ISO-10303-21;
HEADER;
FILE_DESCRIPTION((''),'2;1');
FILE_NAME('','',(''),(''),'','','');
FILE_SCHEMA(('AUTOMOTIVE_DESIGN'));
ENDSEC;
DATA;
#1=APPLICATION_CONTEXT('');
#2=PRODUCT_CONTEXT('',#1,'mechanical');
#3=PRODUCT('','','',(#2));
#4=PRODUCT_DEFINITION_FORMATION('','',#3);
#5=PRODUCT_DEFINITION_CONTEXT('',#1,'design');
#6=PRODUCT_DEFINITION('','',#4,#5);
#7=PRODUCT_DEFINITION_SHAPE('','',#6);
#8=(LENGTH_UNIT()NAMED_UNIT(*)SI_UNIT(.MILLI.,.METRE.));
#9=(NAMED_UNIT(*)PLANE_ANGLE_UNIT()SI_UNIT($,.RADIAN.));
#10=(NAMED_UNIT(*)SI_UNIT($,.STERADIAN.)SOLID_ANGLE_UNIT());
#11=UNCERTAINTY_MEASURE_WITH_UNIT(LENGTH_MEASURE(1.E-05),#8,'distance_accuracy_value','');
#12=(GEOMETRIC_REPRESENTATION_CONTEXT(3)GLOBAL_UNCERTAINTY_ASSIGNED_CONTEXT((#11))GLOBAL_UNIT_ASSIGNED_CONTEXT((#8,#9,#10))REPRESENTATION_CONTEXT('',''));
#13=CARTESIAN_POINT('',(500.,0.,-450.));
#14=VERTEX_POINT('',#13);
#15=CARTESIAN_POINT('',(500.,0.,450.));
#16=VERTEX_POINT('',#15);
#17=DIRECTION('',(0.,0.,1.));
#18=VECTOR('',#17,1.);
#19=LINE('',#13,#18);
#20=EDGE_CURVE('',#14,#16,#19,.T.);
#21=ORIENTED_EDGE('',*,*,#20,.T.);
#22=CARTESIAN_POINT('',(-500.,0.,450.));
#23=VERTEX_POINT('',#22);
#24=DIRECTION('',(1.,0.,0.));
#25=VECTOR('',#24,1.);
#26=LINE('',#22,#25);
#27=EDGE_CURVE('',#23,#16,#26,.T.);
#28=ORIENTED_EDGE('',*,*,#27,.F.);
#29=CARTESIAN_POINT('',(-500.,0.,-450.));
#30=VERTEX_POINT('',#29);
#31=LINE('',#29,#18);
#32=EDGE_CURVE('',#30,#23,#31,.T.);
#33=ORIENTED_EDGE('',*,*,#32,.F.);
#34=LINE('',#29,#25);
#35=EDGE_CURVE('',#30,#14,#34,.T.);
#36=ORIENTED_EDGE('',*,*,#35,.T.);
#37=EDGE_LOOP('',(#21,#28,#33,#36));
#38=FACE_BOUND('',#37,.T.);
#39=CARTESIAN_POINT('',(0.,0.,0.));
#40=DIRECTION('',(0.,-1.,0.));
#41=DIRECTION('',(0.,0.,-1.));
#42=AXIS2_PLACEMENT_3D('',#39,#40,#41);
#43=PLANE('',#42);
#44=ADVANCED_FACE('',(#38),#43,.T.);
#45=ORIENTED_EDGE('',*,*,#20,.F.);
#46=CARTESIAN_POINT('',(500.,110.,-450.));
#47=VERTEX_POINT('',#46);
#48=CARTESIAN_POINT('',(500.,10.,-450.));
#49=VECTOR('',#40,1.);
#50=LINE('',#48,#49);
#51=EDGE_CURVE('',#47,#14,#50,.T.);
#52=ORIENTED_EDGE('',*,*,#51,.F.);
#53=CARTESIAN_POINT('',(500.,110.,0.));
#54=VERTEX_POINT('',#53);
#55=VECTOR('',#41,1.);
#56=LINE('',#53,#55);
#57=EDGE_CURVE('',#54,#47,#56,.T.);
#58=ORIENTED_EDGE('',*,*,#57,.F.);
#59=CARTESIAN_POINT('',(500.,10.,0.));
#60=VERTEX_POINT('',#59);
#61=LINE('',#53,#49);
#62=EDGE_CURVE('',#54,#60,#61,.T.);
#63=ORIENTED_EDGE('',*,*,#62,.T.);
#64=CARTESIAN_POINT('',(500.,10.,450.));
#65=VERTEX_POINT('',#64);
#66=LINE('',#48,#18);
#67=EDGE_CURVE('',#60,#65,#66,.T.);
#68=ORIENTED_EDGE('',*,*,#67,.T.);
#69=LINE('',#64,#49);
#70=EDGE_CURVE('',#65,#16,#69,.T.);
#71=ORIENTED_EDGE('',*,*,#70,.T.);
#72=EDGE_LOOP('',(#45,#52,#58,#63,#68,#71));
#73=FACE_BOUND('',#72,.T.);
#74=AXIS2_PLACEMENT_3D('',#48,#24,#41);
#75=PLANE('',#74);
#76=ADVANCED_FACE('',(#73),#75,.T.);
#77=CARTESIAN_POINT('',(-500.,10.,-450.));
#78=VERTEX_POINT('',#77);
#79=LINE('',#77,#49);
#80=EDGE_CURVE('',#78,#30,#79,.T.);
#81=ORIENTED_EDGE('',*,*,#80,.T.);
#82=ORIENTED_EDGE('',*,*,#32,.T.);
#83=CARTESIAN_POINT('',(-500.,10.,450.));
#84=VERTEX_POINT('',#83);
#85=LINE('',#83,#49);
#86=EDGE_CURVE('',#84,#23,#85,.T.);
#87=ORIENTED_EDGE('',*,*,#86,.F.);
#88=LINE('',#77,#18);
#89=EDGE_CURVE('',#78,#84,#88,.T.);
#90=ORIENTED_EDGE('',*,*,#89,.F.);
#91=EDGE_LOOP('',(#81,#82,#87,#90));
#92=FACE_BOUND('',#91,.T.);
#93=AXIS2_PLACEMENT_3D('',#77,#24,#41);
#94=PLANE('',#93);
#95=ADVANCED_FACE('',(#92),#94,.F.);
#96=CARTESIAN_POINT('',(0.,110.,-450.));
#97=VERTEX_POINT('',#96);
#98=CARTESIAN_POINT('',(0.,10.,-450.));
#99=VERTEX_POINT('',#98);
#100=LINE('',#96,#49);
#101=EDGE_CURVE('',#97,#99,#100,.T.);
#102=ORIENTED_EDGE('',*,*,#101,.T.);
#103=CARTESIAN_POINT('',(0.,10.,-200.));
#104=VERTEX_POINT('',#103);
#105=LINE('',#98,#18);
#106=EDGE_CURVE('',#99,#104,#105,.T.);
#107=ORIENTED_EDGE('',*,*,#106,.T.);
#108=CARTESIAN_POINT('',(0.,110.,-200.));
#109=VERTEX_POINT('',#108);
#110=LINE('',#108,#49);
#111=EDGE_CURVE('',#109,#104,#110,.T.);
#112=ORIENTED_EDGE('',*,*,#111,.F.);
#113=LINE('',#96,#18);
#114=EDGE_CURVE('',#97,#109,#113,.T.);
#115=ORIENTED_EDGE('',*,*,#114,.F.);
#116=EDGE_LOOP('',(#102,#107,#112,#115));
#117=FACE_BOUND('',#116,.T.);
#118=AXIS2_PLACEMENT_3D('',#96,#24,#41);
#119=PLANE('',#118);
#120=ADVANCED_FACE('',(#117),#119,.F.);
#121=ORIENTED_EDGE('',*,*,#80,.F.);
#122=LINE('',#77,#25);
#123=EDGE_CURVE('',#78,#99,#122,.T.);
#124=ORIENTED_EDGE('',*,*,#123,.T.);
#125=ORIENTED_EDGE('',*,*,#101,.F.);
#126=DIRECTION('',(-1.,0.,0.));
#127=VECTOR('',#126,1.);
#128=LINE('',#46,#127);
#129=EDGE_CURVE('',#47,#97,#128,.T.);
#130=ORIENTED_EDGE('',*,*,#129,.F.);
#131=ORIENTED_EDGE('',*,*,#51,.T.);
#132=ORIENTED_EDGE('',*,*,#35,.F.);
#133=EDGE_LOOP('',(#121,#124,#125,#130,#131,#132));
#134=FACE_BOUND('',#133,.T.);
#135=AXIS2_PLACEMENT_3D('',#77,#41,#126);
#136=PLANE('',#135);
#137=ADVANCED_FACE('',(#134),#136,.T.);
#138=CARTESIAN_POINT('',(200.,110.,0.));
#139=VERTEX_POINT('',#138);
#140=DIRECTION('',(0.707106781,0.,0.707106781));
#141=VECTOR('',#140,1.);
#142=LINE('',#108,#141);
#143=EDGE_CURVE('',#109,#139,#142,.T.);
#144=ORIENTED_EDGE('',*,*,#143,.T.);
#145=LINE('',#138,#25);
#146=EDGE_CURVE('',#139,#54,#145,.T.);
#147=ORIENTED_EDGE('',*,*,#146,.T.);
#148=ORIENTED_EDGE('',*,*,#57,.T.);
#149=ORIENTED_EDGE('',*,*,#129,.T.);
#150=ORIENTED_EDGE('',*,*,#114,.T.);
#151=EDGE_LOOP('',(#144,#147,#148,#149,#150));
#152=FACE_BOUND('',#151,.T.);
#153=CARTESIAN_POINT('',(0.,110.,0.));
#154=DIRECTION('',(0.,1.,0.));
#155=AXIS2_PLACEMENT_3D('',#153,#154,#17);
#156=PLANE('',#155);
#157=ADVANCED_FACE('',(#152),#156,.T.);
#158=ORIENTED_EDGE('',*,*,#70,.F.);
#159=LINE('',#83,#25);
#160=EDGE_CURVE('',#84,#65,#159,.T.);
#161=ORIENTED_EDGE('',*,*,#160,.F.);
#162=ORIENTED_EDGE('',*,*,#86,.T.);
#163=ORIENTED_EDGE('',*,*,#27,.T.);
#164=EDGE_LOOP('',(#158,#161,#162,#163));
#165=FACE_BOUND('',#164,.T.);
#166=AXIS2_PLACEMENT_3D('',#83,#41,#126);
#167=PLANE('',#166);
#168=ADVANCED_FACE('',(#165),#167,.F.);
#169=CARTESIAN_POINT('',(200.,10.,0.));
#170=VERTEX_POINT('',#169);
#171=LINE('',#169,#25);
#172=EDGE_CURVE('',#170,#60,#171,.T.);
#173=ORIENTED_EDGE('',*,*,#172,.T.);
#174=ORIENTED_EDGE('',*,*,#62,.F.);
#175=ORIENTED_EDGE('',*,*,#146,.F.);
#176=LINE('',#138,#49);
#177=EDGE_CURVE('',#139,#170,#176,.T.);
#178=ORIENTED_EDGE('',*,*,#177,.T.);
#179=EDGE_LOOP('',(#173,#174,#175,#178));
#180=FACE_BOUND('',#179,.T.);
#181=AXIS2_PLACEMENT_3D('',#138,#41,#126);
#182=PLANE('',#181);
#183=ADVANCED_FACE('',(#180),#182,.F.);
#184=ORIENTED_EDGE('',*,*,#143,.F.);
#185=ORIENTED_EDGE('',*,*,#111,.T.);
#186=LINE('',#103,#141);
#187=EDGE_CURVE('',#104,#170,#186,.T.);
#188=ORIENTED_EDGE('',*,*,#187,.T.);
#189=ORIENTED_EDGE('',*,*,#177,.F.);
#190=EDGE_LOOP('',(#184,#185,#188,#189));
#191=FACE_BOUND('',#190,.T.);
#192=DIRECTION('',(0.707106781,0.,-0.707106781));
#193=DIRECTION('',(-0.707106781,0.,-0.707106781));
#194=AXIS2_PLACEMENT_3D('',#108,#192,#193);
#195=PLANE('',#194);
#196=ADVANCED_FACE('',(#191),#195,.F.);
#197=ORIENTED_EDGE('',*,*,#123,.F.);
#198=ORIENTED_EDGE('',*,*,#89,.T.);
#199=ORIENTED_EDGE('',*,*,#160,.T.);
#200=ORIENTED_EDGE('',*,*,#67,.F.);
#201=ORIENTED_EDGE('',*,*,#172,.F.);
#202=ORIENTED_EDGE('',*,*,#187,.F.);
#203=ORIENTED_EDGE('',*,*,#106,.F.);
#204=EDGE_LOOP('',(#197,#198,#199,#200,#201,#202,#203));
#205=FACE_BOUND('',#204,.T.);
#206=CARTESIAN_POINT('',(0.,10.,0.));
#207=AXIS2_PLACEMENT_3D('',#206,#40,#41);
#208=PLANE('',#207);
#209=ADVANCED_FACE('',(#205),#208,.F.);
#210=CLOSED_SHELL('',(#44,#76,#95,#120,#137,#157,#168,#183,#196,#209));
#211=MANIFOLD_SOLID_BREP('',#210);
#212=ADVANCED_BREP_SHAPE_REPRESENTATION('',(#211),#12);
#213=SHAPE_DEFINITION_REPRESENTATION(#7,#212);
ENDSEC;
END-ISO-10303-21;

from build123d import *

# Parameters (mm, degrees)
SKETCH1_W           = 1000
SKETCH1_H           = 900
BOSS_EXTRUDE1_DEPTH = 10
BOSS_EXTRUDE2_DEPTH = 100


with BuildPart() as part:
    # Sketch1 → Boss-Extrude1 (new body)
    with BuildSketch(Plane(origin=(0, 0, 0), x_dir=(1, 0, 0), z_dir=(0, 1, 0))):
        Rectangle(SKETCH1_W, SKETCH1_H)
    extrude(amount=BOSS_EXTRUDE1_DEPTH)

    # Sketch2 → Boss-Extrude2 (add)
    with BuildSketch(Plane(origin=(0, 10, 0), x_dir=(1, 0, 0), z_dir=(0, 1, 0))):
        Polygon((0, 450), (0, 200), (200, 0), (500, 0), (500, 450), align=None)
    extrude(amount=BOSS_EXTRUDE2_DEPTH)


solid = part.part
